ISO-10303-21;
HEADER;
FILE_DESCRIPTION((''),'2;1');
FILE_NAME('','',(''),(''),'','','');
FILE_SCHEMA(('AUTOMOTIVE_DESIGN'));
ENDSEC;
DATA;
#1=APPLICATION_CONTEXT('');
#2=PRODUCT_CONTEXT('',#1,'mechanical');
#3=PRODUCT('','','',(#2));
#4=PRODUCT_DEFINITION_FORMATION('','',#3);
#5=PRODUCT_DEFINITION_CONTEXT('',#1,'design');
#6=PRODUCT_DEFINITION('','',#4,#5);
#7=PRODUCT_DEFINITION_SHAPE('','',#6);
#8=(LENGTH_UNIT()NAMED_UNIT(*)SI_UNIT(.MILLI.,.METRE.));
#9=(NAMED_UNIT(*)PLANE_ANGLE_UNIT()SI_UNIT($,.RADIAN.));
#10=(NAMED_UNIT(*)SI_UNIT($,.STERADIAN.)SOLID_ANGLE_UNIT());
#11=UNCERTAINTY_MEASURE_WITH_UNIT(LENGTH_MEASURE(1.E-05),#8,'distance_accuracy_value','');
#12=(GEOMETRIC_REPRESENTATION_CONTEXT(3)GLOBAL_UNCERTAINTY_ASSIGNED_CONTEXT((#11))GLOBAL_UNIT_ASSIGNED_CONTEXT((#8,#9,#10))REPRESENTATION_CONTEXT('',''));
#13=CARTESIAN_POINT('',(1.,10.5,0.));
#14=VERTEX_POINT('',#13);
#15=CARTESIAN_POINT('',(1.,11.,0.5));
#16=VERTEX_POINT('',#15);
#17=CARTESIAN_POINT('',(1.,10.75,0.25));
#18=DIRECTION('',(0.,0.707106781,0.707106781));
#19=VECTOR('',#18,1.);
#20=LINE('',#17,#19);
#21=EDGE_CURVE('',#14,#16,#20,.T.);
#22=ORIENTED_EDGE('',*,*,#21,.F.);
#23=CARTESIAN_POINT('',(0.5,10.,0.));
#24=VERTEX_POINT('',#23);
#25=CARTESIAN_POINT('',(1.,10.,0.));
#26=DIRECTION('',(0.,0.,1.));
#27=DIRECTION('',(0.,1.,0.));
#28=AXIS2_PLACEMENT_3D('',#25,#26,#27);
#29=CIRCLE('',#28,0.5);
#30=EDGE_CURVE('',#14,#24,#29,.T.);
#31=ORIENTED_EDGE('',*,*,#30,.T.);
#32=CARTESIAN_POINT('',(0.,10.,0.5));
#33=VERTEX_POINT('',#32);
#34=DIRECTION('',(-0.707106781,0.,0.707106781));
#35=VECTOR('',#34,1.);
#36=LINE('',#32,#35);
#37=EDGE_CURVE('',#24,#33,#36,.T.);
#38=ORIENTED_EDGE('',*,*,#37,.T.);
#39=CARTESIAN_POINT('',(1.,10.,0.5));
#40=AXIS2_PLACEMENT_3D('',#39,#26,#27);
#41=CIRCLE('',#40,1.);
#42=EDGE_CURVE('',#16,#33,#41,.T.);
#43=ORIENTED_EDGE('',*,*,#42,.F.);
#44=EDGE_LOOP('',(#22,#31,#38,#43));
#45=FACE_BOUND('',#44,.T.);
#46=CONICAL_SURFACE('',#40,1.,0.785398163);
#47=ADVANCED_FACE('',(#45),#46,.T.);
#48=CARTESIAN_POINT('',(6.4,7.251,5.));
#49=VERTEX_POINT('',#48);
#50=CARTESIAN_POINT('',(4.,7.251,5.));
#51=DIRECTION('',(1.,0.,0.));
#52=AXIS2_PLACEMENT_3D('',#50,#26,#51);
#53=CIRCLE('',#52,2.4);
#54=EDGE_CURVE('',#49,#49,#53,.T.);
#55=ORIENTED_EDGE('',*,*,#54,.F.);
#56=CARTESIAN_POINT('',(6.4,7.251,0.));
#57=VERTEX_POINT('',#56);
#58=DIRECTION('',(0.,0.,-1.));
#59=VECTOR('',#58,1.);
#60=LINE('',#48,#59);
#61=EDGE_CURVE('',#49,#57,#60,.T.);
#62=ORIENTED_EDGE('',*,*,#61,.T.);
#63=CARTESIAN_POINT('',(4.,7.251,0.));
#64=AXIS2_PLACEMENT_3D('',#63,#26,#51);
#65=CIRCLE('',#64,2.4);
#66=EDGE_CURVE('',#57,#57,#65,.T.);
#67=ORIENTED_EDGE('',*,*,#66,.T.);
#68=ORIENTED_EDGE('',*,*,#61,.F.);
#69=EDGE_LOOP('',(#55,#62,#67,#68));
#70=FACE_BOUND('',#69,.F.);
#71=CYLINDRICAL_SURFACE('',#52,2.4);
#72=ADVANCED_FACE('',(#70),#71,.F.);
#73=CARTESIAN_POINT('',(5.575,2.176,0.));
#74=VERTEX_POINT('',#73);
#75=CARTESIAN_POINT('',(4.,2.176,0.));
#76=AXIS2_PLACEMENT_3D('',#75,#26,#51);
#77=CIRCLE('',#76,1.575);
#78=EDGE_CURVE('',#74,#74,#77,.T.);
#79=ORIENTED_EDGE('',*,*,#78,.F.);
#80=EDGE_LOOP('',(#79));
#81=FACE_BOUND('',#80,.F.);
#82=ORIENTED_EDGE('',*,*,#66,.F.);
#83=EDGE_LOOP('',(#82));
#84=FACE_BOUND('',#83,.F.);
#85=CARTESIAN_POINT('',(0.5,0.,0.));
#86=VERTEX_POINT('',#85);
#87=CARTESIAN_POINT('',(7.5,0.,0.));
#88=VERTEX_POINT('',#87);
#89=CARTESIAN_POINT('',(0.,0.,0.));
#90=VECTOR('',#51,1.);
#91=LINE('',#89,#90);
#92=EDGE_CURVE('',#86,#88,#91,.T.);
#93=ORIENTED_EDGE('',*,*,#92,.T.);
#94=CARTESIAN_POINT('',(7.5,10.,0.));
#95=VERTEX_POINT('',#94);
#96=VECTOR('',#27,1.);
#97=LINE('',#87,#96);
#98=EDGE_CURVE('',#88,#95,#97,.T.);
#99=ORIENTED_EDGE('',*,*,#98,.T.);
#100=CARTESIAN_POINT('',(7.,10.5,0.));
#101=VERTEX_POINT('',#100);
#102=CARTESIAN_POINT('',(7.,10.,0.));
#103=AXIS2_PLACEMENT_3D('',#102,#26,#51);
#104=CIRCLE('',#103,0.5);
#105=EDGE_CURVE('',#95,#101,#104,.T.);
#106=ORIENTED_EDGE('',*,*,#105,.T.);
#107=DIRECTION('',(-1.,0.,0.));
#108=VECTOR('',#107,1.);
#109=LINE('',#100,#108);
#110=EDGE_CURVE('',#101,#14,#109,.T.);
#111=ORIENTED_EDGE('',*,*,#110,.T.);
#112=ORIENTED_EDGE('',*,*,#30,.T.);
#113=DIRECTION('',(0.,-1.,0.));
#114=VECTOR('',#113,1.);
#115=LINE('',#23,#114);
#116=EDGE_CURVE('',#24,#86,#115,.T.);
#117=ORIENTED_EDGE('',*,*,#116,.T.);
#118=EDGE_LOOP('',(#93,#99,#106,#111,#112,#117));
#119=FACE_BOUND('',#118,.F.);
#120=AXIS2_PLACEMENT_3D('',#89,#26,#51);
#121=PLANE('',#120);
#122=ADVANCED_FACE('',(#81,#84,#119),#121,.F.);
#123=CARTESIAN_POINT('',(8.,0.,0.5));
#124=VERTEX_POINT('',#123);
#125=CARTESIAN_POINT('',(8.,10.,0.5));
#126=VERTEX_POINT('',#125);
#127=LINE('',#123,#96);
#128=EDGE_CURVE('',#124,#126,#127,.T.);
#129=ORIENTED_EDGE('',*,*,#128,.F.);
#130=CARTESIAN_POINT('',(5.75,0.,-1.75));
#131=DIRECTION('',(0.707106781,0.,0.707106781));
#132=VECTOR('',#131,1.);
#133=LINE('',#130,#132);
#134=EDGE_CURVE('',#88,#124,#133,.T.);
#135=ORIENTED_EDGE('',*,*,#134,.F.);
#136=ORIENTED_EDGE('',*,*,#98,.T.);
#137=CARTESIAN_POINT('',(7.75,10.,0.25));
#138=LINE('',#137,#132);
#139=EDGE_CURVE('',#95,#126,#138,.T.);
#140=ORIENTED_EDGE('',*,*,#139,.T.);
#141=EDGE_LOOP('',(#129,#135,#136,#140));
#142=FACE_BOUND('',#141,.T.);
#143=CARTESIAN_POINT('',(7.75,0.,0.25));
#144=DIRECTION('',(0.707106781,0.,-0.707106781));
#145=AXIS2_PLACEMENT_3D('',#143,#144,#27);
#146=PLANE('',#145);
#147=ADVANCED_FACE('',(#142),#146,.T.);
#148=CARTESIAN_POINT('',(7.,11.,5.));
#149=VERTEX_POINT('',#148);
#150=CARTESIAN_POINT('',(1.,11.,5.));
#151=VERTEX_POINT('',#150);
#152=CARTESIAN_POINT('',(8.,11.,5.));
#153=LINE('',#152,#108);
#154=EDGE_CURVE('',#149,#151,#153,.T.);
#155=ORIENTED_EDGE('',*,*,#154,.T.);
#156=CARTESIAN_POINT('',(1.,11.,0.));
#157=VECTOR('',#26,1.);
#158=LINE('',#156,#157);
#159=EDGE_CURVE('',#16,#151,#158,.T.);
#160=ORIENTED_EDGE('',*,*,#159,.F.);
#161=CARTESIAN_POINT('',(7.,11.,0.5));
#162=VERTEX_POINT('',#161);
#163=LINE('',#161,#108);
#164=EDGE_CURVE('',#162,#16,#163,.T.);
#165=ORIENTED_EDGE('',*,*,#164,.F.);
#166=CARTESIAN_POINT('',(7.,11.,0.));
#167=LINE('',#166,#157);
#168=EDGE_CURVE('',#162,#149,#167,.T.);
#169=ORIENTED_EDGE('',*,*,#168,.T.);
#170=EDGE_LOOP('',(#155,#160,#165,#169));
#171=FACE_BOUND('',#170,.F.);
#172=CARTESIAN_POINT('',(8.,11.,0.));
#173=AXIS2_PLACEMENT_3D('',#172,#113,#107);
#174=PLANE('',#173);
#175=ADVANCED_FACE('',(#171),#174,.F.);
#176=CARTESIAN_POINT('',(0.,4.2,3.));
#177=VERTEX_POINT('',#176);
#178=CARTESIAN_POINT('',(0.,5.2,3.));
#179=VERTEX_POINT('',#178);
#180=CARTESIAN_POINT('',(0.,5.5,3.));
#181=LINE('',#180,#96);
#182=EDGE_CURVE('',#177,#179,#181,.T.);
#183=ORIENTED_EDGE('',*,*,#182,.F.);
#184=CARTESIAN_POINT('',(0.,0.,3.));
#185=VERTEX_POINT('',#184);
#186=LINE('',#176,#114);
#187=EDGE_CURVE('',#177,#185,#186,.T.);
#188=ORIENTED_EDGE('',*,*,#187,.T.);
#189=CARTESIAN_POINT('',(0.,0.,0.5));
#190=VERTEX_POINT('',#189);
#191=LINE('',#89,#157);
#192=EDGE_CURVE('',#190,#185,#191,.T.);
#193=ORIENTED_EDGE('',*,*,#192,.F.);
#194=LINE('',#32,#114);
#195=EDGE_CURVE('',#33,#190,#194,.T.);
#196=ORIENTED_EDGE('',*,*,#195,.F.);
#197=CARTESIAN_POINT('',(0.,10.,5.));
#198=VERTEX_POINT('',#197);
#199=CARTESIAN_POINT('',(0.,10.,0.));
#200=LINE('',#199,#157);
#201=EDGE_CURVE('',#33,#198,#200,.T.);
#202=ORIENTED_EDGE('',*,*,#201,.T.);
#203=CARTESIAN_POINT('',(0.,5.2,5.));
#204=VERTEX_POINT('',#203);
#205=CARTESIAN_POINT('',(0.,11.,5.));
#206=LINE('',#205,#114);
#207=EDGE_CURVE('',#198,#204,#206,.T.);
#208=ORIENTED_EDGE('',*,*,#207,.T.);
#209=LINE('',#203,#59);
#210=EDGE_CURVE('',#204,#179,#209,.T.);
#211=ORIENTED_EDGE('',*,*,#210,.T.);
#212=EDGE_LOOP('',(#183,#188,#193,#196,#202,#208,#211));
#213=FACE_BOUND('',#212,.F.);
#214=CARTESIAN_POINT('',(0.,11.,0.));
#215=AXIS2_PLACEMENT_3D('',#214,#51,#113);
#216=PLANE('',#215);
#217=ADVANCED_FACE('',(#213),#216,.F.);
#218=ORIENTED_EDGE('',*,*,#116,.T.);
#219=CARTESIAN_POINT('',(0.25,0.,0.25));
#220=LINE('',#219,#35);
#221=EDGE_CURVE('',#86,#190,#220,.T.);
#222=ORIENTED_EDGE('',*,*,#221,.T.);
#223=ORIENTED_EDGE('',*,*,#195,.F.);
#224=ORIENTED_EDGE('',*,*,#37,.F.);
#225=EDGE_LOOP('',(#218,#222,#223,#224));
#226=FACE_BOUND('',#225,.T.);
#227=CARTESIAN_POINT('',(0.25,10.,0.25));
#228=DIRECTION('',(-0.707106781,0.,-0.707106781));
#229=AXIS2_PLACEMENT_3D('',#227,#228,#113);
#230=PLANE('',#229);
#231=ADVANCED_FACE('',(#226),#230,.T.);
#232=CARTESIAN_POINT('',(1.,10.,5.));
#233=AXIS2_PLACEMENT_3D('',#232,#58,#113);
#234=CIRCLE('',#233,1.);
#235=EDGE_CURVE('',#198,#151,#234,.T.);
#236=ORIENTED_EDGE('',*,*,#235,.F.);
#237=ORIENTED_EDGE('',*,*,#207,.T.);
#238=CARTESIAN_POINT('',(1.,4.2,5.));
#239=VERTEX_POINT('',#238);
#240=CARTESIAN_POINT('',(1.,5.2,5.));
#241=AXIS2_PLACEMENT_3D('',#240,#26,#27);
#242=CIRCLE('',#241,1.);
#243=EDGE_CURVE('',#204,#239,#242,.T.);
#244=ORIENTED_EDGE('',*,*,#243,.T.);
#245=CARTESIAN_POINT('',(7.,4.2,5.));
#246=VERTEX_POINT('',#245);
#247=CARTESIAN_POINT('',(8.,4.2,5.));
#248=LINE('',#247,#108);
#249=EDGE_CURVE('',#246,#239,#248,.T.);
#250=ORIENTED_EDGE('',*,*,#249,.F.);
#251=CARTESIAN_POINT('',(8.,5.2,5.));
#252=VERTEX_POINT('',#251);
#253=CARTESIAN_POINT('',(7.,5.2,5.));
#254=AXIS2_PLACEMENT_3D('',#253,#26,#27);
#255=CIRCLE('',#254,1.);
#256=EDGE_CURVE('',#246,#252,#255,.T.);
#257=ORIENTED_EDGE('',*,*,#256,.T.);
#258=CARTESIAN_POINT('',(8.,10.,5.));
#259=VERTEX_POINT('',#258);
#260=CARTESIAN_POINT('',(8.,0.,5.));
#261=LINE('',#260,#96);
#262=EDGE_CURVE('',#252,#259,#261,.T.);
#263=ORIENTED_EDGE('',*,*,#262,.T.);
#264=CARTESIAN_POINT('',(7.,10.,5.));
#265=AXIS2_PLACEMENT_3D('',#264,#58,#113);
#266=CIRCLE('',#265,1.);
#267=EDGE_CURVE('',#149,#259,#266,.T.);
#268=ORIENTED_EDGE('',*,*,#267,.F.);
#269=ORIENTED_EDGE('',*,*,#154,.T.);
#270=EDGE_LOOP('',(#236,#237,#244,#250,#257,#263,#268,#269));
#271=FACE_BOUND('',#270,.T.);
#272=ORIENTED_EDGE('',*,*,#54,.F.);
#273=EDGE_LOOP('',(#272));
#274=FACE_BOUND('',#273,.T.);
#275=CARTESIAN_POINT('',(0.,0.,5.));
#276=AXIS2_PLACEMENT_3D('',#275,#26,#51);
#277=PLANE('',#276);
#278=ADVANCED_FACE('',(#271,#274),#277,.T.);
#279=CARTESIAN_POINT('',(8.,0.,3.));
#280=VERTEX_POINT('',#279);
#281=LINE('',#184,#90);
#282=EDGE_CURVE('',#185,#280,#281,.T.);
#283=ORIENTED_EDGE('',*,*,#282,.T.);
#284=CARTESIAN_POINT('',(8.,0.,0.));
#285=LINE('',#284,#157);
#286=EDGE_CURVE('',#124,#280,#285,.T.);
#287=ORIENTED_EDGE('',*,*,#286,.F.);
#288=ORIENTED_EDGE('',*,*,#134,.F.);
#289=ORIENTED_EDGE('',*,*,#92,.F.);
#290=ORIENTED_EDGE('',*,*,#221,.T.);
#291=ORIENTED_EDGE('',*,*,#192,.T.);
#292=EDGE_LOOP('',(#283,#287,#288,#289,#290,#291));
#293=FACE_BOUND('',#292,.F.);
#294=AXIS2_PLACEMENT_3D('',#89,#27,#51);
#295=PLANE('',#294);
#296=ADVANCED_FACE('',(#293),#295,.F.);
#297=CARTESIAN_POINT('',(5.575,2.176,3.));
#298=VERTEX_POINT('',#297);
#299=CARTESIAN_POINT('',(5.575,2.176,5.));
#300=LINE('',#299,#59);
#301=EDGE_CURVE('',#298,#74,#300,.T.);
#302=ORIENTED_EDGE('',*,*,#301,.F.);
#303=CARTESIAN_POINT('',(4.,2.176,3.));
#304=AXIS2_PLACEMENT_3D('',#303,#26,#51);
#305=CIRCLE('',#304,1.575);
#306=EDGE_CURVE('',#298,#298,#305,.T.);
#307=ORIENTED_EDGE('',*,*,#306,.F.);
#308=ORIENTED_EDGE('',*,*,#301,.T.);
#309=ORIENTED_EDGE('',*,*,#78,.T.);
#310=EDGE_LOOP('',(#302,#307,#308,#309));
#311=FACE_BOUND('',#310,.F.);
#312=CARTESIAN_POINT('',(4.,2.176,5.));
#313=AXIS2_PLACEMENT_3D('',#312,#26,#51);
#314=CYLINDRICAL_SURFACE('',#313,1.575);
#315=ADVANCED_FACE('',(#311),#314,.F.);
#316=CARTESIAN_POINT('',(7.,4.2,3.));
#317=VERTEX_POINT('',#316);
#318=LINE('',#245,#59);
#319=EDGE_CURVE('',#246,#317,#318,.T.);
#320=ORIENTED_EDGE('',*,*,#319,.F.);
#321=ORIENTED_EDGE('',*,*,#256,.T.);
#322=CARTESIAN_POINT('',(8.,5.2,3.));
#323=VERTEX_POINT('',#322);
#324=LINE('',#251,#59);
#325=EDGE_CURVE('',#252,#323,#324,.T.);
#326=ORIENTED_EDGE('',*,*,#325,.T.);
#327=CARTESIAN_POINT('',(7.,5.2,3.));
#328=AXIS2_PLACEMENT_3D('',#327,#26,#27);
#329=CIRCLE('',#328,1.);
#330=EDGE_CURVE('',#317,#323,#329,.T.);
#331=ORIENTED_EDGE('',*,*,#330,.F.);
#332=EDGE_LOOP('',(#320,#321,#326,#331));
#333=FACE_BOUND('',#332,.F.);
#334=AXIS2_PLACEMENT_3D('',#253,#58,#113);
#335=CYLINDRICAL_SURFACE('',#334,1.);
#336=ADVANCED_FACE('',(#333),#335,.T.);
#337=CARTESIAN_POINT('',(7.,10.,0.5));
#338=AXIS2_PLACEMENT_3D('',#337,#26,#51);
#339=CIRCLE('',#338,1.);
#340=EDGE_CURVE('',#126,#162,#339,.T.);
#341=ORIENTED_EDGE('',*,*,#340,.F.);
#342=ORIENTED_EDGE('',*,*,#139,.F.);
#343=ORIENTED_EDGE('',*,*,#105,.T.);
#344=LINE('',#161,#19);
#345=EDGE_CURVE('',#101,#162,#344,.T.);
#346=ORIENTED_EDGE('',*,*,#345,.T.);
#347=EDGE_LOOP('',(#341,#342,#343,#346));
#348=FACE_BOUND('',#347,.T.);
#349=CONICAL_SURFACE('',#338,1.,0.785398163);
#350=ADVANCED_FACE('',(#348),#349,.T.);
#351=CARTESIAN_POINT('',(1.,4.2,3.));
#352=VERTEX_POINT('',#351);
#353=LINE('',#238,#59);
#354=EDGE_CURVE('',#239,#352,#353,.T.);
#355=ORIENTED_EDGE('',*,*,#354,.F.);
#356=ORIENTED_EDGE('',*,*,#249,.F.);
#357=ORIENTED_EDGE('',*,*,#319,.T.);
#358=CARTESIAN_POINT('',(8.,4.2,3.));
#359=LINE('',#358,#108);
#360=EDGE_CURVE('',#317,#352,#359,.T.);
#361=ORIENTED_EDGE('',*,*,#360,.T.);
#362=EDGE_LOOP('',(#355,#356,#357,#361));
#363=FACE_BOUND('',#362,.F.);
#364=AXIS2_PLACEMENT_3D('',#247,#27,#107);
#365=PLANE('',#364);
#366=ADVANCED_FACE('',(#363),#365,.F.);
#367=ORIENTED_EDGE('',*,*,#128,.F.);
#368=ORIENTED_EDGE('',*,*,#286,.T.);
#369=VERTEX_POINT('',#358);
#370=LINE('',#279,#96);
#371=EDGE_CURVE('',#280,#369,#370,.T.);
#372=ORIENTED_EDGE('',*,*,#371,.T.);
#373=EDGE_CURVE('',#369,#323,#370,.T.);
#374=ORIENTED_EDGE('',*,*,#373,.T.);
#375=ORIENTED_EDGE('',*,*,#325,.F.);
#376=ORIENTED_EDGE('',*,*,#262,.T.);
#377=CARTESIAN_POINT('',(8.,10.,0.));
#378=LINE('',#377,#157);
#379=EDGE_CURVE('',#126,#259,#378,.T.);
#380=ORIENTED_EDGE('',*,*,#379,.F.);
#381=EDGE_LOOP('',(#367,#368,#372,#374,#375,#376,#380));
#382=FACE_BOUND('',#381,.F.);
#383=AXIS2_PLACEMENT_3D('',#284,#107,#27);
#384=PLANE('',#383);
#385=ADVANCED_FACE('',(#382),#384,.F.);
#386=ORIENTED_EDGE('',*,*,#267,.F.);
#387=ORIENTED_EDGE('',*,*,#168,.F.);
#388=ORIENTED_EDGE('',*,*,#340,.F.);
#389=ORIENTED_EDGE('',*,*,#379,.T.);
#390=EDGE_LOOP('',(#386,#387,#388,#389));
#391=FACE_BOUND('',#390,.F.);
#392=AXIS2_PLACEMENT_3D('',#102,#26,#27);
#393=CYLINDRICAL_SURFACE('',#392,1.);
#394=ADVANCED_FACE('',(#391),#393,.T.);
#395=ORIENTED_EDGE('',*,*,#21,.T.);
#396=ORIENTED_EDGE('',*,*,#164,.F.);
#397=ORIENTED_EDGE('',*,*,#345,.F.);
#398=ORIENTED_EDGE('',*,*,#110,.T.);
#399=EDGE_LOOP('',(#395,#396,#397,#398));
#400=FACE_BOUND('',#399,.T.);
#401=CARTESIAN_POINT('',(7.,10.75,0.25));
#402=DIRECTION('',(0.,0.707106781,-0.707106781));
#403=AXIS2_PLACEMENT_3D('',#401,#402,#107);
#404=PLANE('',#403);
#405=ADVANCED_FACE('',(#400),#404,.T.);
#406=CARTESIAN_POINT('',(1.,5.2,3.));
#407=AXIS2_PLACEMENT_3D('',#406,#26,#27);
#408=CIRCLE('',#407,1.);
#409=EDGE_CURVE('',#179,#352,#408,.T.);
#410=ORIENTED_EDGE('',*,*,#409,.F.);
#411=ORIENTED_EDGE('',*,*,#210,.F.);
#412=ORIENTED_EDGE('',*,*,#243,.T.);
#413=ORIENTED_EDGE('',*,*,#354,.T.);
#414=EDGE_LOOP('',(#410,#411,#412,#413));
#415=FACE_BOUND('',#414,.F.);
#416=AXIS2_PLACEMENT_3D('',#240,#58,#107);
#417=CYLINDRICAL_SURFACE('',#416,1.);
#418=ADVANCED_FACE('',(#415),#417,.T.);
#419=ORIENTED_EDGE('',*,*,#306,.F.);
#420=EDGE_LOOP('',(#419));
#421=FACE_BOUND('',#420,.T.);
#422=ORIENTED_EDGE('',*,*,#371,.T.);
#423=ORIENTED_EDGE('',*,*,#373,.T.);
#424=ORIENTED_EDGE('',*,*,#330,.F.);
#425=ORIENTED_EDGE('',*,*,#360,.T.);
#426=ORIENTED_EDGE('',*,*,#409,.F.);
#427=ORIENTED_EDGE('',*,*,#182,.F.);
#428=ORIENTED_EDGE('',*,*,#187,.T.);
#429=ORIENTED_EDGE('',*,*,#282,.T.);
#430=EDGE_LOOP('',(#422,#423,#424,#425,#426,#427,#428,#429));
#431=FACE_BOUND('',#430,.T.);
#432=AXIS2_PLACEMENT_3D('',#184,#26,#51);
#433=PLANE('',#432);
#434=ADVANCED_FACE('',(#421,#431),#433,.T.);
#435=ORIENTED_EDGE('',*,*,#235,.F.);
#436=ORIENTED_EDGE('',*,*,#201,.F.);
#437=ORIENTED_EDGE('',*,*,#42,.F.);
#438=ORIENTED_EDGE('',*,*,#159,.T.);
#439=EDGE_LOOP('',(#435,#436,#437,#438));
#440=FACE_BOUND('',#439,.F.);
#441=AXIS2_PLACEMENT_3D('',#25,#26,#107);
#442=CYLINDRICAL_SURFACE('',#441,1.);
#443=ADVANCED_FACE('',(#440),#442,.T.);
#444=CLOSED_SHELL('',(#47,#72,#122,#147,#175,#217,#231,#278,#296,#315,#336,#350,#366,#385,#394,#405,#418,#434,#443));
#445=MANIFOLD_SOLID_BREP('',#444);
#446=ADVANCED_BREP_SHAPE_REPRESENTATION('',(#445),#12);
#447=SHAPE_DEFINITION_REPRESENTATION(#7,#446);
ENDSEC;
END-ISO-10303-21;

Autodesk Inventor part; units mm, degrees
ref_plane "YZ Plane" through (0, 0, 0) normal (1, 0, 0) x (0, 1, 0)
ref_plane "XZ Plane" through (0, 0, 0) normal (0, 1, 0) x (-1, 0, 0)
sketch "Sketch1" plane through (0, 0, 0) normal (0, 0, 1) x (1, 0, 0)
  line L0 (0, 0) -> (8, 0)
  line L1 (8, 0) -> (8, 11)
  line L2 (8, 11) -> (0, 11)
  line L3 (0, 11) -> (0, 0)
  dimension "d0" = 8
  dimension "d1" = 11
extrude "Extrusion1" add sketch "Sketch1" along normal blind 5
sketch "Sketch2" plane through (0, 0, 5) normal (0, 0, 1) x (1, 0, 0)
  circle A0 centre (4, 7.251) radius 2.4
  circle A1 centre (4, 2.176) radius 1.575
  line L0 (4, 10.5689) -> (4, 1.2689) construction
  line L1 (0, 11) -> (0, 0) projected
  line L2 (8, 0) -> (8, 11) projected
  dimension "d4" = 3.15
  dimension "d5" = 4.8
  dimension "d6" = 1.1
  dimension "d7" = 4
  dimension "d8" = 4
extrude "Extrusion2" cut sketch "Sketch2" against normal blind 7
sketch "Sketch4" plane through (0, 0, 5) normal (0, 0, 1) x (1, 0, 0)
  line L0 (0, 0) -> (8, 0)
  line L1 (8, 0) -> (8, 4.2)
  line L2 (8, 4.2) -> (0, 4.2)
  line L3 (0, 4.2) -> (0, 0)
  line L4 (8, 0) -> (8, 11) projected
  circle A0 centre (4, 7.251) radius 2.4 projected
  circle A1 centre (4, 2.176) radius 1.575 projected
  dimension "d14" = 4.2
extrude "Extrusion4" cut sketch "Sketch4" against normal blind 2 contours L3 L2 L1 L0
fillet "Rundung1" radius 1 4 edges at (0, 11, 2.5) (8, 11, 2.5) (0, 4.2, 4) (8, 4.2, 4)
chamfer "Fase1" distance 0.5 angle 45 5 edges at (8, 5, 0) (7.7071, 10.7071, 0) (4, 11, 0) (0.2929, 10.7071, 0) (0, 5, 0)
properties part number "holder_test"
